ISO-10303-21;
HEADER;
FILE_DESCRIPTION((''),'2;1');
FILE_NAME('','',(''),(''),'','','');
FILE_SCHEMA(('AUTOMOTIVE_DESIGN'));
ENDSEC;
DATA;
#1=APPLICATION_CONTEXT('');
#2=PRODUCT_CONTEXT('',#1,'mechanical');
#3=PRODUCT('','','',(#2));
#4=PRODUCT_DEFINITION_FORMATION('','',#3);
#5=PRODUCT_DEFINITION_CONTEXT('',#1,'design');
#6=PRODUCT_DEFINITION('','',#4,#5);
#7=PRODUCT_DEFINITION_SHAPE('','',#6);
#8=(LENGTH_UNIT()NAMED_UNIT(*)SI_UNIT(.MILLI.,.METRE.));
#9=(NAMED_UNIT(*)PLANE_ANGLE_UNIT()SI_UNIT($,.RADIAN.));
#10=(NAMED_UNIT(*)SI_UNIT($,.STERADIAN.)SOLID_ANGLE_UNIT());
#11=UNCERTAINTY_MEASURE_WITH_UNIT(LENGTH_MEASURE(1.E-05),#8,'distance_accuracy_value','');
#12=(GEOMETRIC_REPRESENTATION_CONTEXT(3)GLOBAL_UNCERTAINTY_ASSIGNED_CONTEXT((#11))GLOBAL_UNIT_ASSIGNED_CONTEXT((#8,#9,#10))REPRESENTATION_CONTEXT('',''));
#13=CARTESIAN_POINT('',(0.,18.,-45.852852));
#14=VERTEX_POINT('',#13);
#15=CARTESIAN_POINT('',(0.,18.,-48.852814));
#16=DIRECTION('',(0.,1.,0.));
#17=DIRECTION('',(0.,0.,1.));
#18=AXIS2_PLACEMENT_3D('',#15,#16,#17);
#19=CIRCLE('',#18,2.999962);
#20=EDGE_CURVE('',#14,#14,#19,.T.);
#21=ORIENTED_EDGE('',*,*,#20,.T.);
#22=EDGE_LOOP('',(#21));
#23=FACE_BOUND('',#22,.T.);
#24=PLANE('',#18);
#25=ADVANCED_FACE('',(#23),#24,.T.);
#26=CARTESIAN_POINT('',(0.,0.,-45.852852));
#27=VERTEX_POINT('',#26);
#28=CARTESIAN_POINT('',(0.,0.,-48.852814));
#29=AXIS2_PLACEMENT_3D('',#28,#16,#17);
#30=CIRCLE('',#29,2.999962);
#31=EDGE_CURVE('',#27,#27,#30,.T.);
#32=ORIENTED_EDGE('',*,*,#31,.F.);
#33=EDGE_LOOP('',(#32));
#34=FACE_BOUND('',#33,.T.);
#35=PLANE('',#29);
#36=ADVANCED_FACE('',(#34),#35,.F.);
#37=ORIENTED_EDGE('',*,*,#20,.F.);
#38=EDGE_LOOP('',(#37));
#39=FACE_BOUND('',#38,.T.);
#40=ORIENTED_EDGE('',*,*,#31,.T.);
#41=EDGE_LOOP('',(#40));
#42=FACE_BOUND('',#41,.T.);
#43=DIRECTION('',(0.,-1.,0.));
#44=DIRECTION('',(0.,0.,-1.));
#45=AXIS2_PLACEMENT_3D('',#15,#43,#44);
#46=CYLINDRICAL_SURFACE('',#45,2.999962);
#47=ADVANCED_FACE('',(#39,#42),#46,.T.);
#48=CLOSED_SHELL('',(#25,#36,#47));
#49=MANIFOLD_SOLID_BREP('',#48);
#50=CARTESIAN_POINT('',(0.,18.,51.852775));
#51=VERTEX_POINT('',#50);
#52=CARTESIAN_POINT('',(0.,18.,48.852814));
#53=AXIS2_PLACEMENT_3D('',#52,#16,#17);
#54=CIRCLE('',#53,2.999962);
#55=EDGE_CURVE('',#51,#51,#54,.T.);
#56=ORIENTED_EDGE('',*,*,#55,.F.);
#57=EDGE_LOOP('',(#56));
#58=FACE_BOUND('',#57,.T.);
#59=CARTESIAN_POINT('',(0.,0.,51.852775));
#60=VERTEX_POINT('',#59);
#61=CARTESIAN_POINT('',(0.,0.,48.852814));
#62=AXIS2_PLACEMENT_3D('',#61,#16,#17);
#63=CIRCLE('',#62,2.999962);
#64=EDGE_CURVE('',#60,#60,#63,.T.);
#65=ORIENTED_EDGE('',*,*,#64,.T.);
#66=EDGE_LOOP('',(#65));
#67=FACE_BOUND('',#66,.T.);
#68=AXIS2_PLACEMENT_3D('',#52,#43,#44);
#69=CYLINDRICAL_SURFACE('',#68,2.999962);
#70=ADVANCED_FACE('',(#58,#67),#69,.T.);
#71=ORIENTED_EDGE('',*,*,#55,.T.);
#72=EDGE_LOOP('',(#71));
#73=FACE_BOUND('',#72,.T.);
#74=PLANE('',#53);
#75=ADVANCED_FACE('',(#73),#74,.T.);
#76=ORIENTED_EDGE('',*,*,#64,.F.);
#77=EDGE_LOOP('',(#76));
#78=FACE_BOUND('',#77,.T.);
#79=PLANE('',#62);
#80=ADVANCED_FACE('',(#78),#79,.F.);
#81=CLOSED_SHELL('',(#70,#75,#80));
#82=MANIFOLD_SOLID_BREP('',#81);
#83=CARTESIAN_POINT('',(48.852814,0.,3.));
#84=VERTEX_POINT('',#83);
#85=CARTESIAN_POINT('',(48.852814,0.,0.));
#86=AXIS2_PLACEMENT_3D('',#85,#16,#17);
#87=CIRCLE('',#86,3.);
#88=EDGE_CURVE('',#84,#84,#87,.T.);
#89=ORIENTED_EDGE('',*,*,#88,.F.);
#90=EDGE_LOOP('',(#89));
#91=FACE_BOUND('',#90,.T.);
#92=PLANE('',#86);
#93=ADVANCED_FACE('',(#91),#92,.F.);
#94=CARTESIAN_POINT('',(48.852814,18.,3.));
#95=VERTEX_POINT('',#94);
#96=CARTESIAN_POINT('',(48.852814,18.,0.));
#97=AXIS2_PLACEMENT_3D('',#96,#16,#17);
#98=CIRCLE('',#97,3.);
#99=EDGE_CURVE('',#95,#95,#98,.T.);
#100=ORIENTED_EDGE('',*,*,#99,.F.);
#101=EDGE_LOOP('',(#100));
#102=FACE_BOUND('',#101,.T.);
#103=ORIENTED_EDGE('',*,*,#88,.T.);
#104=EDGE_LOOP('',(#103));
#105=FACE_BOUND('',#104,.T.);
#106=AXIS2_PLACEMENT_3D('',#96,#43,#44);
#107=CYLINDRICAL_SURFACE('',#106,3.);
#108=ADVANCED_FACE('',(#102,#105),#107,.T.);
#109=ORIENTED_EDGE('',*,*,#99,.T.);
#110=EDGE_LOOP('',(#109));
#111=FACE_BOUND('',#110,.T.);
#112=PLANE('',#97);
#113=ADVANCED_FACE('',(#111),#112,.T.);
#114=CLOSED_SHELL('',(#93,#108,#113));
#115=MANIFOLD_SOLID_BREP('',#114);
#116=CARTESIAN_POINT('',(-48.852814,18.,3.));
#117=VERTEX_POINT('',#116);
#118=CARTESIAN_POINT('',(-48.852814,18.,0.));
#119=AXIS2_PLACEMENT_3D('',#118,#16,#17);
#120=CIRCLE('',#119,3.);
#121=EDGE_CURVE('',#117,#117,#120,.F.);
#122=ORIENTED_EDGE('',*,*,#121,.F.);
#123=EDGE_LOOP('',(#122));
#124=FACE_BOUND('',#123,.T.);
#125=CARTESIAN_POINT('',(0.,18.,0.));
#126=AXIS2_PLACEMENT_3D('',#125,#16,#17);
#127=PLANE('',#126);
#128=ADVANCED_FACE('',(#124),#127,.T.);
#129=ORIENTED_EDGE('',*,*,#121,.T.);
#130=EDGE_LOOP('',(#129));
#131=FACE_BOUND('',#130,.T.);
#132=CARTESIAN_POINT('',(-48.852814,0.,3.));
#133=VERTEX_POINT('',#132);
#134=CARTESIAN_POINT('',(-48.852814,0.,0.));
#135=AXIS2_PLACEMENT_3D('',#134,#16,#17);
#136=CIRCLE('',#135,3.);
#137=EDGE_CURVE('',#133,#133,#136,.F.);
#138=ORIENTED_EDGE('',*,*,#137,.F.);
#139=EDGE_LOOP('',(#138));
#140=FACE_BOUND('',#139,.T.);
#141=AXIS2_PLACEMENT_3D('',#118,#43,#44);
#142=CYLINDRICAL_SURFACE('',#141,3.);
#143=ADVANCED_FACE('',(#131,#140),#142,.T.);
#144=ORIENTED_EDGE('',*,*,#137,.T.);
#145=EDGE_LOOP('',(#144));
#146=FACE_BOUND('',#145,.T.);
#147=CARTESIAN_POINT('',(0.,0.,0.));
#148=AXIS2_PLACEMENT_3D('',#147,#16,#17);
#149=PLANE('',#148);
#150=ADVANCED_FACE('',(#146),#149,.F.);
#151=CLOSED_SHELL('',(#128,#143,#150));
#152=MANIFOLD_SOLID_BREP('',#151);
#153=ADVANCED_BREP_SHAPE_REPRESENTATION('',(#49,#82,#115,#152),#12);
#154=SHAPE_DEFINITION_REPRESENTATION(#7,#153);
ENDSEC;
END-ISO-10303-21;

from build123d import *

# Parameters (mm, degrees)
SKETCH_1_R        = 3
EXTRUDE_1_DEPTH   = 18
SKETCH_1_R_2      = 2.999961644
EXTRUDE_1_2_DEPTH = 18
EXTRUDE_1_3_DEPTH = 18
EXTRUDE_1_4_DEPTH = 18


with BuildPart() as part:
    # 草图1 → 凸台-拉伸1 (new body)
    with BuildSketch(Plane(origin=(0, 0, 0), x_dir=(1, 0, 0), z_dir=(0, 1, 0))):
        with Locations((-48.852813742, 0)):
            Circle(SKETCH_1_R)
    extrude(amount=EXTRUDE_1_DEPTH)


with BuildPart() as body_2:
    # 草图1 → Extrude 1 2 (new body)
    with BuildSketch(Plane(origin=(0, 0, 0), x_dir=(1, 0, 0), z_dir=(0, 1, 0))):
        with Locations((0, 48.852813742)):
            Circle(SKETCH_1_R_2)
    extrude(amount=EXTRUDE_1_2_DEPTH)


with BuildPart() as body_3:
    # 草图1 → Extrude 1 3 (new body)
    with BuildSketch(Plane(origin=(0, 0, 0), x_dir=(1, 0, 0), z_dir=(0, 1, 0))):
        with Locations((0, -48.852813742)):
            Circle(SKETCH_1_R_2)
    extrude(amount=EXTRUDE_1_3_DEPTH)


with BuildPart() as body_4:
    # 草图1 → Extrude 1 4 (new body)
    with BuildSketch(Plane(origin=(0, 0, 0), x_dir=(1, 0, 0), z_dir=(0, 1, 0))):
        with Locations((48.852813742, 0)):
            Circle(SKETCH_1_R)
    extrude(amount=EXTRUDE_1_4_DEPTH)


solid = Compound([part.part, body_2.part, body_3.part, body_4.part])
